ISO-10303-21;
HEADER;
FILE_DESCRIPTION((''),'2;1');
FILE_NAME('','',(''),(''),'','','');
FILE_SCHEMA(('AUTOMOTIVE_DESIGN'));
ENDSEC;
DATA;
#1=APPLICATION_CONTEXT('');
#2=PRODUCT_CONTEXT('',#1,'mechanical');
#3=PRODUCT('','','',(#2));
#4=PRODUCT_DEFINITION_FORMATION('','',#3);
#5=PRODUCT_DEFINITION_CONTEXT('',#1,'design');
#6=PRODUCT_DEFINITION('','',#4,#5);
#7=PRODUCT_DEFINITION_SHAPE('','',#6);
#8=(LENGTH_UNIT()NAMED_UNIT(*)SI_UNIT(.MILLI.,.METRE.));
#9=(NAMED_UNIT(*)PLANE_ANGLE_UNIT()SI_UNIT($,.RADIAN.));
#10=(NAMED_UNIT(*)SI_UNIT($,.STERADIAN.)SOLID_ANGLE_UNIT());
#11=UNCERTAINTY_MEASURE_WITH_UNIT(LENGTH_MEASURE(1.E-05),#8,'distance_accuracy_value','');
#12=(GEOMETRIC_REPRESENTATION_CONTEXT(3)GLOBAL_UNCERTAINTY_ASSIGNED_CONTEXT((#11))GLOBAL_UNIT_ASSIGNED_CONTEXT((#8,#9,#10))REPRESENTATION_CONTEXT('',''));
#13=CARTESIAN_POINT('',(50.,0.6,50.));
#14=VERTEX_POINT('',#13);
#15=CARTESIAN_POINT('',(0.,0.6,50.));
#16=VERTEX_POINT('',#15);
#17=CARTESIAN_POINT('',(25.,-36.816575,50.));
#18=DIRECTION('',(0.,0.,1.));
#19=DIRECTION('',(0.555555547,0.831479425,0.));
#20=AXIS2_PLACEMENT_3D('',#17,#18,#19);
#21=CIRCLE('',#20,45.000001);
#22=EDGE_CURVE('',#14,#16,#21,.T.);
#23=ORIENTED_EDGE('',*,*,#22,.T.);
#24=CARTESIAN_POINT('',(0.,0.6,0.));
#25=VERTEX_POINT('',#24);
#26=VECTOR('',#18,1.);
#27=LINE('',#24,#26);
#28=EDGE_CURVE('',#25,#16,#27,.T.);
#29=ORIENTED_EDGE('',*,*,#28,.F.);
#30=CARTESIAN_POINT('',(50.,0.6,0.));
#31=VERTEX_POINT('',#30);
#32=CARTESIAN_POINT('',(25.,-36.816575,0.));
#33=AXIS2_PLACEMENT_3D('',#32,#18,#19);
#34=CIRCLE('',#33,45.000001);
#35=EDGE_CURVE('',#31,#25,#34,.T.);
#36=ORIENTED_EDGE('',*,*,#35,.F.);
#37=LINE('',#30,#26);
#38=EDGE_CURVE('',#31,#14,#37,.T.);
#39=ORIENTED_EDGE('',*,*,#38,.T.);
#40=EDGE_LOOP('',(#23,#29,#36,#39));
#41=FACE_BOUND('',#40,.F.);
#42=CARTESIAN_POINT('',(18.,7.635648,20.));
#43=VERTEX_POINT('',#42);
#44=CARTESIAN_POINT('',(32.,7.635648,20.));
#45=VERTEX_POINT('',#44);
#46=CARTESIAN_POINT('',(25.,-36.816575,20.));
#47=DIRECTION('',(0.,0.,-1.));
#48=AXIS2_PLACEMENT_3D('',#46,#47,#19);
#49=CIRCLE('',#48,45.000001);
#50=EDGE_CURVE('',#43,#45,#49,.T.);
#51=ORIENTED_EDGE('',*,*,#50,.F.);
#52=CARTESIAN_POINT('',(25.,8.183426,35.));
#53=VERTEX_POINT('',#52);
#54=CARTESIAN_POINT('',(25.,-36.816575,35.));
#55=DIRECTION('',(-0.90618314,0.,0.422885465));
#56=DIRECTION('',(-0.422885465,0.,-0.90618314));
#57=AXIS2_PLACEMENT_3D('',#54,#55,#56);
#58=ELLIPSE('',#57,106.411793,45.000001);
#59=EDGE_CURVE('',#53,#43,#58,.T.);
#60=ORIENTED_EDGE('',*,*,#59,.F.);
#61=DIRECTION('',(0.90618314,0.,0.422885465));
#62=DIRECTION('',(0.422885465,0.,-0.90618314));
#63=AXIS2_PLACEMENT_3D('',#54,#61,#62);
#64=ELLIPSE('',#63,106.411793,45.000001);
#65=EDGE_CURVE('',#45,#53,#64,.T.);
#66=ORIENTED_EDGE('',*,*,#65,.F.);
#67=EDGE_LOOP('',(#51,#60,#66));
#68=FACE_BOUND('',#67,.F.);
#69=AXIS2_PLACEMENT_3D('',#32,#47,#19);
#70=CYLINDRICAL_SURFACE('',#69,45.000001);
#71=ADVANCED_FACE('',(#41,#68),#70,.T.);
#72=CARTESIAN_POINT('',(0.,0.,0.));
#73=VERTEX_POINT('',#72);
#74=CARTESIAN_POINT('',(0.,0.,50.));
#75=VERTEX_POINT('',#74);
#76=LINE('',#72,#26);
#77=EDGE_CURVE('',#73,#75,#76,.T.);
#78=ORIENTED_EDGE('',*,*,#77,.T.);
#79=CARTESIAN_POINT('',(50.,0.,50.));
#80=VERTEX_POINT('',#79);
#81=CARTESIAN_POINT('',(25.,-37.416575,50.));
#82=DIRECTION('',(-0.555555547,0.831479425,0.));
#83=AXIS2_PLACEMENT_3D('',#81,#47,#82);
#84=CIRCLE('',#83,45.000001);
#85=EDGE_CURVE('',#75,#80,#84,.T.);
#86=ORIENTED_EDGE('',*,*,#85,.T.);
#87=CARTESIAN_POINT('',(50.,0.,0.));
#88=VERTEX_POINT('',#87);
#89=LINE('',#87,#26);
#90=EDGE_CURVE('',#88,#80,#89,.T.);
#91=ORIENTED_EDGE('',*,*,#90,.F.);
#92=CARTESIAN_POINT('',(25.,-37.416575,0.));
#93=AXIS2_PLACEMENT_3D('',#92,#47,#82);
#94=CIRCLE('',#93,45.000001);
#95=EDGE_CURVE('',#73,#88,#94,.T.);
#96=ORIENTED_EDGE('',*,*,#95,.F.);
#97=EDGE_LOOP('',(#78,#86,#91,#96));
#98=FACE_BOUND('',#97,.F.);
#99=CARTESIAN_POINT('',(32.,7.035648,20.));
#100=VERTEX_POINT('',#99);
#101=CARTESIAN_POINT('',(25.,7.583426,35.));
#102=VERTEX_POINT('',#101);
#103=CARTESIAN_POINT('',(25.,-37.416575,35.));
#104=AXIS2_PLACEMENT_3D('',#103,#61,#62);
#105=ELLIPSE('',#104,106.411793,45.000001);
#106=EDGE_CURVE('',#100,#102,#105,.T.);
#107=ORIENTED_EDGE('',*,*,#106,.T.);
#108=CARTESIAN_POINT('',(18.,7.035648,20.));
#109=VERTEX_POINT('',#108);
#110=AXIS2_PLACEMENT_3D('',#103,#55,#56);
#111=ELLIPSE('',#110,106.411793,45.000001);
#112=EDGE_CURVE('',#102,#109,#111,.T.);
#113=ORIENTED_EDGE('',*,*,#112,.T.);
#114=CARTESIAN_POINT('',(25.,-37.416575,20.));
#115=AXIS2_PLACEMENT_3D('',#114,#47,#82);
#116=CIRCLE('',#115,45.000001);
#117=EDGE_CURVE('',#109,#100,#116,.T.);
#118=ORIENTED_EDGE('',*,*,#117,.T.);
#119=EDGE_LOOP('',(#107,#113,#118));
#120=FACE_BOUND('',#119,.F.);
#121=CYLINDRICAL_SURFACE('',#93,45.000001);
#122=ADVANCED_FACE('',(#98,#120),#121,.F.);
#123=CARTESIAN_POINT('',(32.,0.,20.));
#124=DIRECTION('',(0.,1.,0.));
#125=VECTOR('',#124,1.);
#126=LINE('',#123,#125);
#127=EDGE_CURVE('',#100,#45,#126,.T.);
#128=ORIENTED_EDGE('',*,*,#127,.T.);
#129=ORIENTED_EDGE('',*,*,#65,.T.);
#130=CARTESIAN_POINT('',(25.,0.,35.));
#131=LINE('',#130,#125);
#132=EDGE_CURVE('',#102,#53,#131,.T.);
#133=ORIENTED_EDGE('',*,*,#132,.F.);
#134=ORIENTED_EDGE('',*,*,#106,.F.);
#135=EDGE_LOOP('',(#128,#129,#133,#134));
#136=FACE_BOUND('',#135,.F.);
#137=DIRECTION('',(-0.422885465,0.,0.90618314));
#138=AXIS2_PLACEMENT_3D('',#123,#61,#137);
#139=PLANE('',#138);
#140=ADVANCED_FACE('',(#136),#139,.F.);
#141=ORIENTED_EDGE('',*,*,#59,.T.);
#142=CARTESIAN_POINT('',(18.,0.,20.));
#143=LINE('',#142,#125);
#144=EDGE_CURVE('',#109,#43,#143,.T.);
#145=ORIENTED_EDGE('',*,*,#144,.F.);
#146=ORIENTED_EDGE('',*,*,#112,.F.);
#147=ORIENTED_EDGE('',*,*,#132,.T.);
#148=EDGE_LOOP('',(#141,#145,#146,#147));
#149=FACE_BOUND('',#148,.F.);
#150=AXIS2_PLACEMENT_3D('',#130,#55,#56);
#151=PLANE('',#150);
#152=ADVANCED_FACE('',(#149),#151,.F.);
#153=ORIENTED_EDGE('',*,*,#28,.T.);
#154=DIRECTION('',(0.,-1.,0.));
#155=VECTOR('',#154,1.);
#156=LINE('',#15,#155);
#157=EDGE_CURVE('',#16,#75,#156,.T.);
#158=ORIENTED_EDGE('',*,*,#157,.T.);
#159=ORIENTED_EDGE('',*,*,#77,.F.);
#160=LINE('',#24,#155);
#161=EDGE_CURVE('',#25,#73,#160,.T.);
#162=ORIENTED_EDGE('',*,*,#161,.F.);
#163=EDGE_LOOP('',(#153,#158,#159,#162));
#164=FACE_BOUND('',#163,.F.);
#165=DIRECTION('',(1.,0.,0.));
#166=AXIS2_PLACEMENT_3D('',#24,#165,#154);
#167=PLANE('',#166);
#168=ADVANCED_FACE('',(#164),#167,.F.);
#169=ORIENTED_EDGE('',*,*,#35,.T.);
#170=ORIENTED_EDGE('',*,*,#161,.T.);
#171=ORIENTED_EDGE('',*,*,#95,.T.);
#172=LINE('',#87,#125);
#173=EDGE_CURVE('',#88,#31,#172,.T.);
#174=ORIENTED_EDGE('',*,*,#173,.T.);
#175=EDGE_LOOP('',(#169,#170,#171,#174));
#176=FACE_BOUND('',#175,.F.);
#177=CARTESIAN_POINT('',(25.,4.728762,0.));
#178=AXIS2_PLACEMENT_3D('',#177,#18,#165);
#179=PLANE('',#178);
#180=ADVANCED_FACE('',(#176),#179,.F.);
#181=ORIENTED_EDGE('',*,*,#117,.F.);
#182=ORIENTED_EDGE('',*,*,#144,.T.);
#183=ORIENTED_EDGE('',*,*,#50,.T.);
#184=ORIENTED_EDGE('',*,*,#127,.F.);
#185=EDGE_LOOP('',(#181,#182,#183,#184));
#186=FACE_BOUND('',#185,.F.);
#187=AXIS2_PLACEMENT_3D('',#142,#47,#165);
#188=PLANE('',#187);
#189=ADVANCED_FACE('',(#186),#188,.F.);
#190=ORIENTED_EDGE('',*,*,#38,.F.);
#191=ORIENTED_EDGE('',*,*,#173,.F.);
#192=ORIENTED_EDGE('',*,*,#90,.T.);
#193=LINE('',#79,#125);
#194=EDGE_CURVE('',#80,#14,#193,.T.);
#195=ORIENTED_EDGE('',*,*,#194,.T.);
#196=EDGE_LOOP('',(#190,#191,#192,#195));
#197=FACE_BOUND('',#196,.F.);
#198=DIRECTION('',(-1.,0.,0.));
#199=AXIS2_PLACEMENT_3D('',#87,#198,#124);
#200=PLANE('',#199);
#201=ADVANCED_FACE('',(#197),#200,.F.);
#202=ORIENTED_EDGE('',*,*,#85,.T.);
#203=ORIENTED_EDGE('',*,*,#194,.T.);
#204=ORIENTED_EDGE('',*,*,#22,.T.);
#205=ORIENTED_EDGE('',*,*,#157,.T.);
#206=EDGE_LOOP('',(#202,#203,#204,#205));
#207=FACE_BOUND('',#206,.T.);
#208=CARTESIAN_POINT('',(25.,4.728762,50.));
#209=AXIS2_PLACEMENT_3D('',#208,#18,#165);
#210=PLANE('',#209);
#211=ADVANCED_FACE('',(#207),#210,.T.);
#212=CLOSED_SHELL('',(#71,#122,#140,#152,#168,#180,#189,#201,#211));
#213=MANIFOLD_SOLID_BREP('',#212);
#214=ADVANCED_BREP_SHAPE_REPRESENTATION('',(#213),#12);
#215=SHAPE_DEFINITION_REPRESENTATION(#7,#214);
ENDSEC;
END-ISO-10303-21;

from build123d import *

# Parameters (mm, degrees)
F1_DEPTH = 50
F3_DEPTH = 25


with BuildPart() as f1:
    # F0 (on Top) → F1 (new body)
    with BuildSketch(Plane.XY):
        with BuildLine():
            ThreePointArc((0, 0), (25, 7.583426), (50, 0))
            Line((50, 0), (50, 0.6))
            ThreePointArc((50, 0.6), (25, 8.183426), (0, 0.6))
            Line((0, 0.6), (0, 0))
        make_face()
    extrude(amount=F1_DEPTH)

    # F2 (on Front) → F3 (cut)
    with BuildSketch(Plane.XZ):
        Polygon((25, 35), (18, 20), (32, 20), align=None)
    extrude(amount=-F3_DEPTH, mode=Mode.SUBTRACT)


solid = f1.part
